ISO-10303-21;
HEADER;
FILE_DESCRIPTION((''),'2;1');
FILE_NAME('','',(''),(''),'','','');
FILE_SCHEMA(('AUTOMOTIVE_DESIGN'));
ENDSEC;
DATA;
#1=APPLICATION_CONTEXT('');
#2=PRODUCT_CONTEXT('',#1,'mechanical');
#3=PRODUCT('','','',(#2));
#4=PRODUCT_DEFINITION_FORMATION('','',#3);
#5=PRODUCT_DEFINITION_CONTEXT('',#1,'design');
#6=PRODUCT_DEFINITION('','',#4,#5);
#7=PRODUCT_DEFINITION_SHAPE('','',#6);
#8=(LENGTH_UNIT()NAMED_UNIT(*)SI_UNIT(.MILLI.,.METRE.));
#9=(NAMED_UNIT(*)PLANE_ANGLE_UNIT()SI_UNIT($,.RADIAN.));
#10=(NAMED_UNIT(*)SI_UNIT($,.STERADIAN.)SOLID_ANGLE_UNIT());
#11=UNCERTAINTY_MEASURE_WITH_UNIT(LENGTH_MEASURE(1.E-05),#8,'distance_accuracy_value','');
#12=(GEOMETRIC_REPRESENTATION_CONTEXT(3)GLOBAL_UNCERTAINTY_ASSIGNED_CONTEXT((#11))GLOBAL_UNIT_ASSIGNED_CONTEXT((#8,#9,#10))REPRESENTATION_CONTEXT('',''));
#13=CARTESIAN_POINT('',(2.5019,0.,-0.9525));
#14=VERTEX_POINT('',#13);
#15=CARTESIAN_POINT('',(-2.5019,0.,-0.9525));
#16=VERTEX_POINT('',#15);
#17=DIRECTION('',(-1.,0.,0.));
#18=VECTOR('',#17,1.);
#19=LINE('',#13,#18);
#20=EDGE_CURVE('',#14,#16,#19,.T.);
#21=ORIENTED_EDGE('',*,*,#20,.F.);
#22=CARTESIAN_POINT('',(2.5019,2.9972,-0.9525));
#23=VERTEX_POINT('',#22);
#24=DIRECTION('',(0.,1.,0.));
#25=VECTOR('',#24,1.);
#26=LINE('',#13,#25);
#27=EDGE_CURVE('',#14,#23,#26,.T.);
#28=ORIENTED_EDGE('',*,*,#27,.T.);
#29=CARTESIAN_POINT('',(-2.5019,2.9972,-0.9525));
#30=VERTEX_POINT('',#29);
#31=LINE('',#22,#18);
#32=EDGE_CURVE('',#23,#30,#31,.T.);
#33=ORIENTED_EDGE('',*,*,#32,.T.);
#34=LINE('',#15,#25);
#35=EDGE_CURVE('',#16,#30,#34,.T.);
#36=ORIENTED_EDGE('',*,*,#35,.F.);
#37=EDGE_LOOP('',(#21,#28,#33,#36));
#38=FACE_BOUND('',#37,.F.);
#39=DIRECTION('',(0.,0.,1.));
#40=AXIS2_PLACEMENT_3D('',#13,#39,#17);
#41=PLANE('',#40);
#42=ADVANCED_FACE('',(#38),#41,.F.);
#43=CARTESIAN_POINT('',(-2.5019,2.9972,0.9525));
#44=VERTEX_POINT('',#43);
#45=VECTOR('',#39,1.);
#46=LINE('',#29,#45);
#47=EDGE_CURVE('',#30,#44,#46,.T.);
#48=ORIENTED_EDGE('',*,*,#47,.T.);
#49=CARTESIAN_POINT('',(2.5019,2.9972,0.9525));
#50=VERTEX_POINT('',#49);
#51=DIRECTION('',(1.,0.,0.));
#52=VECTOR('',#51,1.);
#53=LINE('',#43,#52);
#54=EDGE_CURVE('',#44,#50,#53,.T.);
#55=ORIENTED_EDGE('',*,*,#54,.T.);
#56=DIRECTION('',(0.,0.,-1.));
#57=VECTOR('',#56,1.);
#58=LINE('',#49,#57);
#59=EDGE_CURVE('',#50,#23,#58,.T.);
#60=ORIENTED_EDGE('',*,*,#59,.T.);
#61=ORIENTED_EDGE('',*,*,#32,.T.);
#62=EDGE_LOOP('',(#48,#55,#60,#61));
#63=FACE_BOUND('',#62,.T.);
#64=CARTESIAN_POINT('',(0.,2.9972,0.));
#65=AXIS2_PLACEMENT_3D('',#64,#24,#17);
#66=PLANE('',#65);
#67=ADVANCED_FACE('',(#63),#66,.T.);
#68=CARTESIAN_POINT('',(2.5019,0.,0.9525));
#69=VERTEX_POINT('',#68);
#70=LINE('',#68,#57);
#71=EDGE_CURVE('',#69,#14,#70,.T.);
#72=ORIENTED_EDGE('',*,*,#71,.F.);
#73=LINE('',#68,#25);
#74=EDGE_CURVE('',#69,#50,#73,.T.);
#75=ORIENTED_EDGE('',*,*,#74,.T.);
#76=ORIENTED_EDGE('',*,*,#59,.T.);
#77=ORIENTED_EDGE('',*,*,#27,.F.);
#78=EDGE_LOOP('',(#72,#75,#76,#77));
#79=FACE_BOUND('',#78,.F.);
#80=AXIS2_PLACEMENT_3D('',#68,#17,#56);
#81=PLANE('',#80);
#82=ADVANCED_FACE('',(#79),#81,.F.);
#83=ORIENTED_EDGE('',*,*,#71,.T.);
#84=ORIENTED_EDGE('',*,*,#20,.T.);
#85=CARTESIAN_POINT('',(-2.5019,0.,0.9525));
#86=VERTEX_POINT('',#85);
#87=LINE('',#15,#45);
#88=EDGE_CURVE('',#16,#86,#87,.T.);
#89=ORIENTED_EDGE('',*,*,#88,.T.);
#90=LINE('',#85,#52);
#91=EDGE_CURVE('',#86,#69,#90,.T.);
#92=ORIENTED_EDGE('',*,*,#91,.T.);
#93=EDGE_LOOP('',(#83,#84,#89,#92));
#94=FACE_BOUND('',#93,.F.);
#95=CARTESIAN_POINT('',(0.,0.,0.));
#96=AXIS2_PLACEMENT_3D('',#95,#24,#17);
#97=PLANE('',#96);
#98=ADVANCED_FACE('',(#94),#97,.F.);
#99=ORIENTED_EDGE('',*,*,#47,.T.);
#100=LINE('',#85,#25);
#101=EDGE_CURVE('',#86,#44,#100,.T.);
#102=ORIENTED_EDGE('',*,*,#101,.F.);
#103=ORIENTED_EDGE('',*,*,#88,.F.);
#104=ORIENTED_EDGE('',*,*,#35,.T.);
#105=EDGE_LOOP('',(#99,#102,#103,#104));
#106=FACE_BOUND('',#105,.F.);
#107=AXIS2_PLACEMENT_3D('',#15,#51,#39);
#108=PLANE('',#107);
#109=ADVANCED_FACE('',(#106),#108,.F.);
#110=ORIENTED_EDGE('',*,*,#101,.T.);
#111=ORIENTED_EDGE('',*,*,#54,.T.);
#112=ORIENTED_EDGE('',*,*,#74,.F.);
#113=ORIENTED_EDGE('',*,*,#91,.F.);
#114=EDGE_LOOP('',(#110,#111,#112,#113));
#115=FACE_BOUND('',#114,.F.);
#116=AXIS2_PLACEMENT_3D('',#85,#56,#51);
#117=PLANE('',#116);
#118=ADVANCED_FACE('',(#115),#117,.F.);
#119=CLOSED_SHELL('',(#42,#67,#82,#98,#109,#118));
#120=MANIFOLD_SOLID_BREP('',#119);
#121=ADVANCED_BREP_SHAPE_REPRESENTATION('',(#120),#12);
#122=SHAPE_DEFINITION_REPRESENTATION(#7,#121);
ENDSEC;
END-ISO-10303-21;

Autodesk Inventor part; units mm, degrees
sketch "Sketch_1" plane through (0, 0, 0) normal (0, 1, 0) x (-1, 0, 0)
  line L0 (2.5019, -0.9525) -> (2.5019, 0.9525)
  line L1 (2.5019, 0.9525) -> (-2.5019, 0.9525)
  line L2 (-2.5019, 0.9525) -> (-2.5019, -0.9525)
  line L3 (-2.5019, -0.9525) -> (2.5019, -0.9525)
extrude "Extrusion1" add sketch "Sketch_1" along normal blind 2.9972
ref_plane "CAP_XY" through (0, 0, 0) normal (0, 1, 0) x (1, 0, 0)
ref_plane "CAP_YZ" through (0, 0, 0) normal (1, 0, 0) x (0, 0, -1)
ref_plane "CAP_ZX" through (0, 0, 0) normal (0, 0, -1) x (0, 1, 0)
properties part number "UB16NKG015F-NR"
